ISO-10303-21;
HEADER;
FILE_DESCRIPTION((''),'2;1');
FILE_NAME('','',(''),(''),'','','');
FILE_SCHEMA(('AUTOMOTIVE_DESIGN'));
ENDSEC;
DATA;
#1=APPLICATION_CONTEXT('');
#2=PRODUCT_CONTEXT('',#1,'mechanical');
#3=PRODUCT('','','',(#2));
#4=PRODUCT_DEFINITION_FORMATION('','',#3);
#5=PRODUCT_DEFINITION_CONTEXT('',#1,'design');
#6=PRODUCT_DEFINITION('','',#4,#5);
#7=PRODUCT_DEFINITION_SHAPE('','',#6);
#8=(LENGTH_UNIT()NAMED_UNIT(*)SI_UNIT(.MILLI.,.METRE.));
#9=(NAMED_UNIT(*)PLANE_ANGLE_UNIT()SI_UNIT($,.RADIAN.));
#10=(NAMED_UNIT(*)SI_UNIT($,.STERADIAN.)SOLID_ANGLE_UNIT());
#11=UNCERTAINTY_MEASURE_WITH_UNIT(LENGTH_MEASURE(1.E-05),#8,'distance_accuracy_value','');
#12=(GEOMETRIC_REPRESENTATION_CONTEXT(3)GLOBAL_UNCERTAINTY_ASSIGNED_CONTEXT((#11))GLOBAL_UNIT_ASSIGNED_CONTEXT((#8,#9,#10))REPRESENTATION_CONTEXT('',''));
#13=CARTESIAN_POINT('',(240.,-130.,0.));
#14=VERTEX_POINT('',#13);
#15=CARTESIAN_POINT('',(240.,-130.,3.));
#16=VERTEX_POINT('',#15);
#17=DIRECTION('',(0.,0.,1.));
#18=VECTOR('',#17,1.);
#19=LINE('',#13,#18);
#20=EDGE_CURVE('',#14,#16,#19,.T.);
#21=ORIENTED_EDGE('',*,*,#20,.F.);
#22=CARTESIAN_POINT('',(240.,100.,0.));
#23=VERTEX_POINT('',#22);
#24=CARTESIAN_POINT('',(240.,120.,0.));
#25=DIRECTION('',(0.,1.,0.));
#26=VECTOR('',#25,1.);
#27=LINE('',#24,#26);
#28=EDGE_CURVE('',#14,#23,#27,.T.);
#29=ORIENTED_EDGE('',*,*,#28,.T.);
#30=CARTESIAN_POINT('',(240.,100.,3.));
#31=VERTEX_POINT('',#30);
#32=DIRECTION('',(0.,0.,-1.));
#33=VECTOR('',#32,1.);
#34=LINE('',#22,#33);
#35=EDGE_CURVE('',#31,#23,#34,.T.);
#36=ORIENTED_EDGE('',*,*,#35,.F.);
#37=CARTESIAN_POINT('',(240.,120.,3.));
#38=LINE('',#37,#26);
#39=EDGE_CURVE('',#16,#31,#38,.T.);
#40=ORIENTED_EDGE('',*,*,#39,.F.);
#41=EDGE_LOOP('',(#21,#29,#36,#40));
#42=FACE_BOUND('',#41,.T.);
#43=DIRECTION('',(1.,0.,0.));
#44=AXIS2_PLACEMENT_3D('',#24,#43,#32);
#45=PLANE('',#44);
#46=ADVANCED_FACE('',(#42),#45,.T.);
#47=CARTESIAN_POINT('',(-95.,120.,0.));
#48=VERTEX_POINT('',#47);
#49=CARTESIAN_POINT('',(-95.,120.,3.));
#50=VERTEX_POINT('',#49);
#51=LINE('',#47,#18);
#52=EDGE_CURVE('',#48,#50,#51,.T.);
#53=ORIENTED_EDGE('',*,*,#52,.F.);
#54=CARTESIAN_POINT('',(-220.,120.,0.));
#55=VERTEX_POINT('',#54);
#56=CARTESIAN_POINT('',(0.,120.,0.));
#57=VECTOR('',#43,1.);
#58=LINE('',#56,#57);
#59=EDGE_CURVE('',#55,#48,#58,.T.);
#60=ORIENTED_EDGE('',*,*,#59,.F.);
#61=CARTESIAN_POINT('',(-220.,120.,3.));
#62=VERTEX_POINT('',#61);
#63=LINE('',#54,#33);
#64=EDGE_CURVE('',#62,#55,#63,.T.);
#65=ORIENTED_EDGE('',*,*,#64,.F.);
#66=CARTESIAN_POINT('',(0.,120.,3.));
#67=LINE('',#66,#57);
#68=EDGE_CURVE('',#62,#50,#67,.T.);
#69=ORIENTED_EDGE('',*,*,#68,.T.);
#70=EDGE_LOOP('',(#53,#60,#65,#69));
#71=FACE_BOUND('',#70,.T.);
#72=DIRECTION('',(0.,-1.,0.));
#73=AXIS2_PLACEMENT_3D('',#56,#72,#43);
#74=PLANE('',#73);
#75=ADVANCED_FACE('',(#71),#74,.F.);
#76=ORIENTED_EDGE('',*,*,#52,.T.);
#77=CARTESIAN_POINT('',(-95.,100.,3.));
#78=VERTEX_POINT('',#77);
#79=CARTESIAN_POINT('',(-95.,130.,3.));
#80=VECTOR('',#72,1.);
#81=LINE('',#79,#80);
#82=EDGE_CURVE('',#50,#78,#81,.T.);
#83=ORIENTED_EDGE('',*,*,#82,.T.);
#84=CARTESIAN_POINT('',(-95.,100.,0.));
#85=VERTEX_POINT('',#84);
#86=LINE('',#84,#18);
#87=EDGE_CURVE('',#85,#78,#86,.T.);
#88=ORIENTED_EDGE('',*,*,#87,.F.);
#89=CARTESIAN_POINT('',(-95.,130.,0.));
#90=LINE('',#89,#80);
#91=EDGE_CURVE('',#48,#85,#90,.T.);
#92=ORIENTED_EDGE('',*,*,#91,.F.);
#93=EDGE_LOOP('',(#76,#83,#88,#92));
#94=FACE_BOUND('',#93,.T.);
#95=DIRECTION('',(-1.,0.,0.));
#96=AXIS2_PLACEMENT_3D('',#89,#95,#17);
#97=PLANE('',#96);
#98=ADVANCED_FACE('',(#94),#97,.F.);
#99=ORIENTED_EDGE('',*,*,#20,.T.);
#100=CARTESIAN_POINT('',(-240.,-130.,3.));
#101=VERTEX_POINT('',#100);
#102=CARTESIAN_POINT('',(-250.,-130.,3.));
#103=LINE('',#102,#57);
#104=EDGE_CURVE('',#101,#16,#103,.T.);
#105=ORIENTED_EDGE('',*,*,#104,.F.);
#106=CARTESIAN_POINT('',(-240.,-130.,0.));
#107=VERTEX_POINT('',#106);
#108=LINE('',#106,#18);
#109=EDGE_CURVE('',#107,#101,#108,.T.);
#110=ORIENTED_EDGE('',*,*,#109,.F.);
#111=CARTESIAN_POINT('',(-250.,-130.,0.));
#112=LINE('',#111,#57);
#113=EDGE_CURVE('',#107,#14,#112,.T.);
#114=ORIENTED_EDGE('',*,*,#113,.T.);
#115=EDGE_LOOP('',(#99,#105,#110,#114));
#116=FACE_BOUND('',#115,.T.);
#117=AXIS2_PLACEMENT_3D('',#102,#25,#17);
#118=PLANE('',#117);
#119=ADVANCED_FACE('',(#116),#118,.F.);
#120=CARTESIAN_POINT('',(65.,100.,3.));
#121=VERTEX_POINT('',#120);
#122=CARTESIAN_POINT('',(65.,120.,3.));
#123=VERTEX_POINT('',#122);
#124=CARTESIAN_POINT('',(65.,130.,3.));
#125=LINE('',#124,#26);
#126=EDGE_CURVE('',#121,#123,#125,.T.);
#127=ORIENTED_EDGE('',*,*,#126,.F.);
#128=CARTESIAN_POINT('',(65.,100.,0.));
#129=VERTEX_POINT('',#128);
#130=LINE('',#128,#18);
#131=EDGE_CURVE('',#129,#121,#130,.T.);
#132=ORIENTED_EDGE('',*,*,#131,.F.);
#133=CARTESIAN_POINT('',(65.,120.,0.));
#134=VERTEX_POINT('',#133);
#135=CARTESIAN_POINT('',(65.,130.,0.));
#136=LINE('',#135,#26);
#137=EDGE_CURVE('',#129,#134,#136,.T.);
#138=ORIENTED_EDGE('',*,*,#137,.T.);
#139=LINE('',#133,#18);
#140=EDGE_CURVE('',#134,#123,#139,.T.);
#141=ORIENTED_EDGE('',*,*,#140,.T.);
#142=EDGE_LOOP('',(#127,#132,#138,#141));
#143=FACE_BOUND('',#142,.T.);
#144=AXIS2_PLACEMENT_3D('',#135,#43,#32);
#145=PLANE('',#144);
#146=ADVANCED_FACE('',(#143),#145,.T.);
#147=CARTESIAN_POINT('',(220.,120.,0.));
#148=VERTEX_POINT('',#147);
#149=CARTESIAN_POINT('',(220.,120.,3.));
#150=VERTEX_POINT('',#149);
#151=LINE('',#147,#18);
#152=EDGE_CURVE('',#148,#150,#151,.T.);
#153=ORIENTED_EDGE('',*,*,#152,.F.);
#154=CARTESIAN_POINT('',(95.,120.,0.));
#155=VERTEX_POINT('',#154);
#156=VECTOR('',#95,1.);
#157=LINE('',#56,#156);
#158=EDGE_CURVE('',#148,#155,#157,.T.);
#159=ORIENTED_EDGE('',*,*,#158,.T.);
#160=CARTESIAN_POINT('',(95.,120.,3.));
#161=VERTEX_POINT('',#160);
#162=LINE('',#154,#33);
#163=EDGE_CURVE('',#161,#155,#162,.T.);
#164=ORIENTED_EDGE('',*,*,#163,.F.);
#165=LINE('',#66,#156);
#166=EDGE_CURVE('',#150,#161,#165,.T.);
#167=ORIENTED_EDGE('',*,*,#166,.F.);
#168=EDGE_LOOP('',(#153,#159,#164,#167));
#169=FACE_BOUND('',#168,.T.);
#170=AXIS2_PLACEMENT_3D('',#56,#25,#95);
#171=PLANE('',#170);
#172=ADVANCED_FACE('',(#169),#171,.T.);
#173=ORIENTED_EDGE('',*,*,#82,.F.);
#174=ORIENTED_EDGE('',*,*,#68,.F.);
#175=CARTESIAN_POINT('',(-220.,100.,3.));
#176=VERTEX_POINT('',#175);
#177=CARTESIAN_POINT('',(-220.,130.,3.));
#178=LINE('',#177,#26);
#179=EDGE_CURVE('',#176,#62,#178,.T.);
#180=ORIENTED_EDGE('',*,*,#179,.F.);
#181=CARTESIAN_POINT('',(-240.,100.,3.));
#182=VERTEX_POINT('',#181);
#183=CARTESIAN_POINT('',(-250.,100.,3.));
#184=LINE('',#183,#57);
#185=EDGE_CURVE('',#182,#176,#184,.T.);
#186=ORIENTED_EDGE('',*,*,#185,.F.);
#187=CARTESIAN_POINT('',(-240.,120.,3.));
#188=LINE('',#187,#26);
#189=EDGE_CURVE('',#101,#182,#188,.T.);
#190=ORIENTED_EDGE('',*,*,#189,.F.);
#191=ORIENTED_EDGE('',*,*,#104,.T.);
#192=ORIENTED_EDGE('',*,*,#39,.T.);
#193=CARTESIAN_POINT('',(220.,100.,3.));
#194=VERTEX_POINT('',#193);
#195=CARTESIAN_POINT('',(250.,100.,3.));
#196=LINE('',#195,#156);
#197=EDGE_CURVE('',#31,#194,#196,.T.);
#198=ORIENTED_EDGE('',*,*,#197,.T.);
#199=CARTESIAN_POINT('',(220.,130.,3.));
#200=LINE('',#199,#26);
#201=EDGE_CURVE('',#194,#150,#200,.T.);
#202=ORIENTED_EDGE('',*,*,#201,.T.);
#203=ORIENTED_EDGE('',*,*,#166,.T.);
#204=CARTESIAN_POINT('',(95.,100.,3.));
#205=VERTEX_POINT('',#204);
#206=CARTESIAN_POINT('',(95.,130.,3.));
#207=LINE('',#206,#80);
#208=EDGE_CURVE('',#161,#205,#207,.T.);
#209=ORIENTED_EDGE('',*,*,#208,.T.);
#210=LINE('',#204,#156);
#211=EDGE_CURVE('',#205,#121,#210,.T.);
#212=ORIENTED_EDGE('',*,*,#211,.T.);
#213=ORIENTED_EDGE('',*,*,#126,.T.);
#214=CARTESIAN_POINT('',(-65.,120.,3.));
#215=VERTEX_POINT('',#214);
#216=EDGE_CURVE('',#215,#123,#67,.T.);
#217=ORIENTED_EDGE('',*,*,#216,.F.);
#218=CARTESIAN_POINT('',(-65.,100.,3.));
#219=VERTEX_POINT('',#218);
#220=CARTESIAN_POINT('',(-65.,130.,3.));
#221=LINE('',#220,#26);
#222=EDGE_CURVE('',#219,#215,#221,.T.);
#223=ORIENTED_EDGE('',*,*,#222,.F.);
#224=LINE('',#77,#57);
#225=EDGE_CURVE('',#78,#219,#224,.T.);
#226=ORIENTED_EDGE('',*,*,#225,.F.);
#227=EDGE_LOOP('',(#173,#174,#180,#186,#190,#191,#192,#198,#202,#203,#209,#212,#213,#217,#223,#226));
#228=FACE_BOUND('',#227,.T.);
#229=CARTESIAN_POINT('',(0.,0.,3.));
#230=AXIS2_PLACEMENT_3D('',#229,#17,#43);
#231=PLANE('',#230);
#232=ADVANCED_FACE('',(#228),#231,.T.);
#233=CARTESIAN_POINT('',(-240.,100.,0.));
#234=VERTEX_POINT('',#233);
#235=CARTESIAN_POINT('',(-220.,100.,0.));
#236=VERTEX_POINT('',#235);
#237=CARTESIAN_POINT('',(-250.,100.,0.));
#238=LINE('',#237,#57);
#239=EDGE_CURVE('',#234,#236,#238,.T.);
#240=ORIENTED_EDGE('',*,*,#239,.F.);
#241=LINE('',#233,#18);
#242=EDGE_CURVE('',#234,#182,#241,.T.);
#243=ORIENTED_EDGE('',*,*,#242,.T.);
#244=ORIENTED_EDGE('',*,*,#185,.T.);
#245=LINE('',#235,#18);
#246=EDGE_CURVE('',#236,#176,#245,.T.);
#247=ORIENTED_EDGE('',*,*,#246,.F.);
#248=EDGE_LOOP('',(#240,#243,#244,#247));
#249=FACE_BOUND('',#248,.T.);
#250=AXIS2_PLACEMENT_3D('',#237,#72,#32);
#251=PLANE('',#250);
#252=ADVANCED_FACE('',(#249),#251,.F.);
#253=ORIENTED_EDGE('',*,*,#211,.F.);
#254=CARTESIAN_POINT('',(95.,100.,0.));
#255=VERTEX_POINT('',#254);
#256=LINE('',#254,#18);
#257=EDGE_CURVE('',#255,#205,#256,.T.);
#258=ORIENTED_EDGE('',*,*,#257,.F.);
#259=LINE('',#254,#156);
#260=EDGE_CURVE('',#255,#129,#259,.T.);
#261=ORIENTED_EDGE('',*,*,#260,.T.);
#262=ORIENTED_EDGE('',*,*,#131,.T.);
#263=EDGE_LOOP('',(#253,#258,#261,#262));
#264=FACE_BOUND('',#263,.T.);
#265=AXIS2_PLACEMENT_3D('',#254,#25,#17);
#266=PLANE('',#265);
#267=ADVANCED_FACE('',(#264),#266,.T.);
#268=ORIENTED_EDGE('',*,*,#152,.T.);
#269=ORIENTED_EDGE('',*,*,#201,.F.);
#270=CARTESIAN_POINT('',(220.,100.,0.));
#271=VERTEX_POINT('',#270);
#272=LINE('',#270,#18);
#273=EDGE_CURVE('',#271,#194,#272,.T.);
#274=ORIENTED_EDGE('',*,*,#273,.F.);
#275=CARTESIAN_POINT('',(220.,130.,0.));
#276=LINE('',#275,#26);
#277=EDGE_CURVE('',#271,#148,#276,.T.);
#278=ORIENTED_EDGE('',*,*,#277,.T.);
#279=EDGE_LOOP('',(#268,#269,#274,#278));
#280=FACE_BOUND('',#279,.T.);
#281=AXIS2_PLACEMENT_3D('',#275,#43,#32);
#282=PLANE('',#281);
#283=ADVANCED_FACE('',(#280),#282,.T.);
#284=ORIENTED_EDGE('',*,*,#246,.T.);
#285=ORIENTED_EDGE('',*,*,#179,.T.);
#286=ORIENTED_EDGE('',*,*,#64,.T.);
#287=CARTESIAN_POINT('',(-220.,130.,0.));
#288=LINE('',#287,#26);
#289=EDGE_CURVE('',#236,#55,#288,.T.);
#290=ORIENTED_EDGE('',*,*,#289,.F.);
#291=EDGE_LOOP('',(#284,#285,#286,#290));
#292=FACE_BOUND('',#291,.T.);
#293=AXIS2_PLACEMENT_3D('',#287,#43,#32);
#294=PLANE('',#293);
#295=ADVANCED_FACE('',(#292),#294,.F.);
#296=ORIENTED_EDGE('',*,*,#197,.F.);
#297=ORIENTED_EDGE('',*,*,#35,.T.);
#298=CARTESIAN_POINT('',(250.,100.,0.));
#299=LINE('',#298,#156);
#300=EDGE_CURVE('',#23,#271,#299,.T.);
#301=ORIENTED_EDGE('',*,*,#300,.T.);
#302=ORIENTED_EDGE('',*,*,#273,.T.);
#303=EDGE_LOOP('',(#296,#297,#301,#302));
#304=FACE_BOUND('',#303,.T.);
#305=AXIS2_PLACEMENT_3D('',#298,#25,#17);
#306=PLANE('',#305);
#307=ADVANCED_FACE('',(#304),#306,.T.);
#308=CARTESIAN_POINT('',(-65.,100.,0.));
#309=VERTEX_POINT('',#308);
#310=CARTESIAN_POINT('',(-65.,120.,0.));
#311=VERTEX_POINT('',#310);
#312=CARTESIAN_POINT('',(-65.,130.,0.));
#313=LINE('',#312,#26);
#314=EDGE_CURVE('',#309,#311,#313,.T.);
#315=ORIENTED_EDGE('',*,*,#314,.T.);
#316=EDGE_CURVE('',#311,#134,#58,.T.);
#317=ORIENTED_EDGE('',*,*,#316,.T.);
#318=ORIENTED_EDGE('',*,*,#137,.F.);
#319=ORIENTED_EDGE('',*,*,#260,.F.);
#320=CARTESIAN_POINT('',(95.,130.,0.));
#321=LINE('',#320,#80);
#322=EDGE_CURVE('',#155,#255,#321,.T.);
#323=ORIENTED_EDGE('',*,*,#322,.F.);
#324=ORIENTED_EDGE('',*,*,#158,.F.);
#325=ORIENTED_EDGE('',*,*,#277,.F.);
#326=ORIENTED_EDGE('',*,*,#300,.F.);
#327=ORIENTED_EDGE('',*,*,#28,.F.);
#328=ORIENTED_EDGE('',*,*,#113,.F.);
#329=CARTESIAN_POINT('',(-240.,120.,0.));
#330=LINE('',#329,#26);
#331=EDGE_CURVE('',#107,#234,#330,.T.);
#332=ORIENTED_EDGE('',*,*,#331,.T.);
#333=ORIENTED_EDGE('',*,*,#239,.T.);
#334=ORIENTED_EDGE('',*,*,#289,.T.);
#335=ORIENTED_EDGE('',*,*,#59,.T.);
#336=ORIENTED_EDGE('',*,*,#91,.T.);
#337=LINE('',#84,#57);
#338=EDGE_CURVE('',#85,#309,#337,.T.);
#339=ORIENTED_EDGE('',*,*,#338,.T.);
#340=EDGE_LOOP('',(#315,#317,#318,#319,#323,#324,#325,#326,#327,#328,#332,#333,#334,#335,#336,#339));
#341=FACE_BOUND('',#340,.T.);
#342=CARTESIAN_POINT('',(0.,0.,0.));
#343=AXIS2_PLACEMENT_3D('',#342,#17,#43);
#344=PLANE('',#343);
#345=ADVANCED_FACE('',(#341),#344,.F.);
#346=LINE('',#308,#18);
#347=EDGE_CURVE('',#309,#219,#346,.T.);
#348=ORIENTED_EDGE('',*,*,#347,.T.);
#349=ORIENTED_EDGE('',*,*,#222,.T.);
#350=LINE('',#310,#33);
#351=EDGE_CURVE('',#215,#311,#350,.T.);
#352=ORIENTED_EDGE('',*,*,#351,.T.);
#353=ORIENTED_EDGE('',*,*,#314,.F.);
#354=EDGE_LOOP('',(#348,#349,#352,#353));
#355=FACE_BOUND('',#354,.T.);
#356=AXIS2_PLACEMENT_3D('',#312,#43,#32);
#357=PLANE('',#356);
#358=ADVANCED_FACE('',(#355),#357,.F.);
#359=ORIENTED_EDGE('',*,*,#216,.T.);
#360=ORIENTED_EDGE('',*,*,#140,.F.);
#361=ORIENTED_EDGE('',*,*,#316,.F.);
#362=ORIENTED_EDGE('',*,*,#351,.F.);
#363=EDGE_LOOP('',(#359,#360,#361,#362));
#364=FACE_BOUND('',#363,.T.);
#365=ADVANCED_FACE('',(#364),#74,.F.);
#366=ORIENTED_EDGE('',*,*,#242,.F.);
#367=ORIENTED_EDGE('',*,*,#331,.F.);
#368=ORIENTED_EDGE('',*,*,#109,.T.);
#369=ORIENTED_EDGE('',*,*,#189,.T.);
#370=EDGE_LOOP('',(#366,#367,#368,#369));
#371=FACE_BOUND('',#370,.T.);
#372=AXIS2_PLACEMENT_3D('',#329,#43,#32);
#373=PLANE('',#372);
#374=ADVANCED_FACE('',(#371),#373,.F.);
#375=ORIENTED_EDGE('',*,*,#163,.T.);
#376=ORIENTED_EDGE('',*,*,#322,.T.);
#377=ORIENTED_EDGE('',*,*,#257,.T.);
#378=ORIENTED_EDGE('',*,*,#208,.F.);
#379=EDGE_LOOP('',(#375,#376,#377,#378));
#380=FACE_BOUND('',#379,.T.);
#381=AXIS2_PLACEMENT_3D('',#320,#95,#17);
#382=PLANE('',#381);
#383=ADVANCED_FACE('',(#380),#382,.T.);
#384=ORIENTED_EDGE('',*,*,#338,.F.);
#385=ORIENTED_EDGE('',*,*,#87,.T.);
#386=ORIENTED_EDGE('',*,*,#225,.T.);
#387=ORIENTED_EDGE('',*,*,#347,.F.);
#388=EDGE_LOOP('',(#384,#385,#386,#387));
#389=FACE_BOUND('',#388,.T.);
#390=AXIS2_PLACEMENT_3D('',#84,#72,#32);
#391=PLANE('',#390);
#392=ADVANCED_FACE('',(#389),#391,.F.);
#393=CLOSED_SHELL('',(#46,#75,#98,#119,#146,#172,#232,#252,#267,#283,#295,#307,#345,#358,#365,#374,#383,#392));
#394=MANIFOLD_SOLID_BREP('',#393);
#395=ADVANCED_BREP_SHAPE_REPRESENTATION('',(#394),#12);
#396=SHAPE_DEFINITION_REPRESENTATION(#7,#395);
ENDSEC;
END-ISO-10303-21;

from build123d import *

# Parameters (mm, degrees)
CROQUIS1_W              = 500
CROQUIS1_H              = 260
SALIENTE_EXTRUIR1_DEPTH = 3
CROQUIS2_W              = 30
CROQUIS2_H              = 30
CORTAR_EXTRUIR1_DEPTH   = 4
CORTAR_EXTRUIR2_DEPTH   = 4


with BuildPart() as part:
    # Croquis1 → Saliente-Extruir1 (new body)
    with BuildSketch(Plane.XY):
        Rectangle(CROQUIS1_W, CROQUIS1_H)
    extrude(amount=SALIENTE_EXTRUIR1_DEPTH)

    # Croquis2 → Cortar-Extruir1 (cut, through all)
    with BuildSketch(Plane.XY.offset(3)):
        with Locations((-80, 115)):
            Rectangle(CROQUIS2_W, CROQUIS2_H)
        with Locations((-235, 115)):
            Rectangle(CROQUIS2_W, CROQUIS2_H)
    cortar_extruir1 = extrude(amount=-CORTAR_EXTRUIR1_DEPTH, mode=Mode.SUBTRACT)

    # Simetría1: Cortar-Extruir1 across plane
    add(cortar_extruir1.mirror(Plane(origin=(0, 0, 0), x_dir=(0, 0, 1), z_dir=(1, 0, 0))), mode=Mode.SUBTRACT)

    # Croquis3 → Cortar-Extruir2 (cut, through all)
    with BuildSketch(Plane.XY.offset(3)):
        Polygon((-250, -130), (-240, -130), (-240, 120), (0, 120), (0, 130), (-240, 130), (-250, 130), align=None)
    cortar_extruir2 = extrude(amount=-CORTAR_EXTRUIR2_DEPTH, mode=Mode.SUBTRACT)

    # Simetría2: Cortar-Extruir2 across plane
    add(cortar_extruir2.mirror(Plane(origin=(0, 0, 0), x_dir=(0, 0, 1), z_dir=(1, 0, 0))), mode=Mode.SUBTRACT)


solid = part.part
